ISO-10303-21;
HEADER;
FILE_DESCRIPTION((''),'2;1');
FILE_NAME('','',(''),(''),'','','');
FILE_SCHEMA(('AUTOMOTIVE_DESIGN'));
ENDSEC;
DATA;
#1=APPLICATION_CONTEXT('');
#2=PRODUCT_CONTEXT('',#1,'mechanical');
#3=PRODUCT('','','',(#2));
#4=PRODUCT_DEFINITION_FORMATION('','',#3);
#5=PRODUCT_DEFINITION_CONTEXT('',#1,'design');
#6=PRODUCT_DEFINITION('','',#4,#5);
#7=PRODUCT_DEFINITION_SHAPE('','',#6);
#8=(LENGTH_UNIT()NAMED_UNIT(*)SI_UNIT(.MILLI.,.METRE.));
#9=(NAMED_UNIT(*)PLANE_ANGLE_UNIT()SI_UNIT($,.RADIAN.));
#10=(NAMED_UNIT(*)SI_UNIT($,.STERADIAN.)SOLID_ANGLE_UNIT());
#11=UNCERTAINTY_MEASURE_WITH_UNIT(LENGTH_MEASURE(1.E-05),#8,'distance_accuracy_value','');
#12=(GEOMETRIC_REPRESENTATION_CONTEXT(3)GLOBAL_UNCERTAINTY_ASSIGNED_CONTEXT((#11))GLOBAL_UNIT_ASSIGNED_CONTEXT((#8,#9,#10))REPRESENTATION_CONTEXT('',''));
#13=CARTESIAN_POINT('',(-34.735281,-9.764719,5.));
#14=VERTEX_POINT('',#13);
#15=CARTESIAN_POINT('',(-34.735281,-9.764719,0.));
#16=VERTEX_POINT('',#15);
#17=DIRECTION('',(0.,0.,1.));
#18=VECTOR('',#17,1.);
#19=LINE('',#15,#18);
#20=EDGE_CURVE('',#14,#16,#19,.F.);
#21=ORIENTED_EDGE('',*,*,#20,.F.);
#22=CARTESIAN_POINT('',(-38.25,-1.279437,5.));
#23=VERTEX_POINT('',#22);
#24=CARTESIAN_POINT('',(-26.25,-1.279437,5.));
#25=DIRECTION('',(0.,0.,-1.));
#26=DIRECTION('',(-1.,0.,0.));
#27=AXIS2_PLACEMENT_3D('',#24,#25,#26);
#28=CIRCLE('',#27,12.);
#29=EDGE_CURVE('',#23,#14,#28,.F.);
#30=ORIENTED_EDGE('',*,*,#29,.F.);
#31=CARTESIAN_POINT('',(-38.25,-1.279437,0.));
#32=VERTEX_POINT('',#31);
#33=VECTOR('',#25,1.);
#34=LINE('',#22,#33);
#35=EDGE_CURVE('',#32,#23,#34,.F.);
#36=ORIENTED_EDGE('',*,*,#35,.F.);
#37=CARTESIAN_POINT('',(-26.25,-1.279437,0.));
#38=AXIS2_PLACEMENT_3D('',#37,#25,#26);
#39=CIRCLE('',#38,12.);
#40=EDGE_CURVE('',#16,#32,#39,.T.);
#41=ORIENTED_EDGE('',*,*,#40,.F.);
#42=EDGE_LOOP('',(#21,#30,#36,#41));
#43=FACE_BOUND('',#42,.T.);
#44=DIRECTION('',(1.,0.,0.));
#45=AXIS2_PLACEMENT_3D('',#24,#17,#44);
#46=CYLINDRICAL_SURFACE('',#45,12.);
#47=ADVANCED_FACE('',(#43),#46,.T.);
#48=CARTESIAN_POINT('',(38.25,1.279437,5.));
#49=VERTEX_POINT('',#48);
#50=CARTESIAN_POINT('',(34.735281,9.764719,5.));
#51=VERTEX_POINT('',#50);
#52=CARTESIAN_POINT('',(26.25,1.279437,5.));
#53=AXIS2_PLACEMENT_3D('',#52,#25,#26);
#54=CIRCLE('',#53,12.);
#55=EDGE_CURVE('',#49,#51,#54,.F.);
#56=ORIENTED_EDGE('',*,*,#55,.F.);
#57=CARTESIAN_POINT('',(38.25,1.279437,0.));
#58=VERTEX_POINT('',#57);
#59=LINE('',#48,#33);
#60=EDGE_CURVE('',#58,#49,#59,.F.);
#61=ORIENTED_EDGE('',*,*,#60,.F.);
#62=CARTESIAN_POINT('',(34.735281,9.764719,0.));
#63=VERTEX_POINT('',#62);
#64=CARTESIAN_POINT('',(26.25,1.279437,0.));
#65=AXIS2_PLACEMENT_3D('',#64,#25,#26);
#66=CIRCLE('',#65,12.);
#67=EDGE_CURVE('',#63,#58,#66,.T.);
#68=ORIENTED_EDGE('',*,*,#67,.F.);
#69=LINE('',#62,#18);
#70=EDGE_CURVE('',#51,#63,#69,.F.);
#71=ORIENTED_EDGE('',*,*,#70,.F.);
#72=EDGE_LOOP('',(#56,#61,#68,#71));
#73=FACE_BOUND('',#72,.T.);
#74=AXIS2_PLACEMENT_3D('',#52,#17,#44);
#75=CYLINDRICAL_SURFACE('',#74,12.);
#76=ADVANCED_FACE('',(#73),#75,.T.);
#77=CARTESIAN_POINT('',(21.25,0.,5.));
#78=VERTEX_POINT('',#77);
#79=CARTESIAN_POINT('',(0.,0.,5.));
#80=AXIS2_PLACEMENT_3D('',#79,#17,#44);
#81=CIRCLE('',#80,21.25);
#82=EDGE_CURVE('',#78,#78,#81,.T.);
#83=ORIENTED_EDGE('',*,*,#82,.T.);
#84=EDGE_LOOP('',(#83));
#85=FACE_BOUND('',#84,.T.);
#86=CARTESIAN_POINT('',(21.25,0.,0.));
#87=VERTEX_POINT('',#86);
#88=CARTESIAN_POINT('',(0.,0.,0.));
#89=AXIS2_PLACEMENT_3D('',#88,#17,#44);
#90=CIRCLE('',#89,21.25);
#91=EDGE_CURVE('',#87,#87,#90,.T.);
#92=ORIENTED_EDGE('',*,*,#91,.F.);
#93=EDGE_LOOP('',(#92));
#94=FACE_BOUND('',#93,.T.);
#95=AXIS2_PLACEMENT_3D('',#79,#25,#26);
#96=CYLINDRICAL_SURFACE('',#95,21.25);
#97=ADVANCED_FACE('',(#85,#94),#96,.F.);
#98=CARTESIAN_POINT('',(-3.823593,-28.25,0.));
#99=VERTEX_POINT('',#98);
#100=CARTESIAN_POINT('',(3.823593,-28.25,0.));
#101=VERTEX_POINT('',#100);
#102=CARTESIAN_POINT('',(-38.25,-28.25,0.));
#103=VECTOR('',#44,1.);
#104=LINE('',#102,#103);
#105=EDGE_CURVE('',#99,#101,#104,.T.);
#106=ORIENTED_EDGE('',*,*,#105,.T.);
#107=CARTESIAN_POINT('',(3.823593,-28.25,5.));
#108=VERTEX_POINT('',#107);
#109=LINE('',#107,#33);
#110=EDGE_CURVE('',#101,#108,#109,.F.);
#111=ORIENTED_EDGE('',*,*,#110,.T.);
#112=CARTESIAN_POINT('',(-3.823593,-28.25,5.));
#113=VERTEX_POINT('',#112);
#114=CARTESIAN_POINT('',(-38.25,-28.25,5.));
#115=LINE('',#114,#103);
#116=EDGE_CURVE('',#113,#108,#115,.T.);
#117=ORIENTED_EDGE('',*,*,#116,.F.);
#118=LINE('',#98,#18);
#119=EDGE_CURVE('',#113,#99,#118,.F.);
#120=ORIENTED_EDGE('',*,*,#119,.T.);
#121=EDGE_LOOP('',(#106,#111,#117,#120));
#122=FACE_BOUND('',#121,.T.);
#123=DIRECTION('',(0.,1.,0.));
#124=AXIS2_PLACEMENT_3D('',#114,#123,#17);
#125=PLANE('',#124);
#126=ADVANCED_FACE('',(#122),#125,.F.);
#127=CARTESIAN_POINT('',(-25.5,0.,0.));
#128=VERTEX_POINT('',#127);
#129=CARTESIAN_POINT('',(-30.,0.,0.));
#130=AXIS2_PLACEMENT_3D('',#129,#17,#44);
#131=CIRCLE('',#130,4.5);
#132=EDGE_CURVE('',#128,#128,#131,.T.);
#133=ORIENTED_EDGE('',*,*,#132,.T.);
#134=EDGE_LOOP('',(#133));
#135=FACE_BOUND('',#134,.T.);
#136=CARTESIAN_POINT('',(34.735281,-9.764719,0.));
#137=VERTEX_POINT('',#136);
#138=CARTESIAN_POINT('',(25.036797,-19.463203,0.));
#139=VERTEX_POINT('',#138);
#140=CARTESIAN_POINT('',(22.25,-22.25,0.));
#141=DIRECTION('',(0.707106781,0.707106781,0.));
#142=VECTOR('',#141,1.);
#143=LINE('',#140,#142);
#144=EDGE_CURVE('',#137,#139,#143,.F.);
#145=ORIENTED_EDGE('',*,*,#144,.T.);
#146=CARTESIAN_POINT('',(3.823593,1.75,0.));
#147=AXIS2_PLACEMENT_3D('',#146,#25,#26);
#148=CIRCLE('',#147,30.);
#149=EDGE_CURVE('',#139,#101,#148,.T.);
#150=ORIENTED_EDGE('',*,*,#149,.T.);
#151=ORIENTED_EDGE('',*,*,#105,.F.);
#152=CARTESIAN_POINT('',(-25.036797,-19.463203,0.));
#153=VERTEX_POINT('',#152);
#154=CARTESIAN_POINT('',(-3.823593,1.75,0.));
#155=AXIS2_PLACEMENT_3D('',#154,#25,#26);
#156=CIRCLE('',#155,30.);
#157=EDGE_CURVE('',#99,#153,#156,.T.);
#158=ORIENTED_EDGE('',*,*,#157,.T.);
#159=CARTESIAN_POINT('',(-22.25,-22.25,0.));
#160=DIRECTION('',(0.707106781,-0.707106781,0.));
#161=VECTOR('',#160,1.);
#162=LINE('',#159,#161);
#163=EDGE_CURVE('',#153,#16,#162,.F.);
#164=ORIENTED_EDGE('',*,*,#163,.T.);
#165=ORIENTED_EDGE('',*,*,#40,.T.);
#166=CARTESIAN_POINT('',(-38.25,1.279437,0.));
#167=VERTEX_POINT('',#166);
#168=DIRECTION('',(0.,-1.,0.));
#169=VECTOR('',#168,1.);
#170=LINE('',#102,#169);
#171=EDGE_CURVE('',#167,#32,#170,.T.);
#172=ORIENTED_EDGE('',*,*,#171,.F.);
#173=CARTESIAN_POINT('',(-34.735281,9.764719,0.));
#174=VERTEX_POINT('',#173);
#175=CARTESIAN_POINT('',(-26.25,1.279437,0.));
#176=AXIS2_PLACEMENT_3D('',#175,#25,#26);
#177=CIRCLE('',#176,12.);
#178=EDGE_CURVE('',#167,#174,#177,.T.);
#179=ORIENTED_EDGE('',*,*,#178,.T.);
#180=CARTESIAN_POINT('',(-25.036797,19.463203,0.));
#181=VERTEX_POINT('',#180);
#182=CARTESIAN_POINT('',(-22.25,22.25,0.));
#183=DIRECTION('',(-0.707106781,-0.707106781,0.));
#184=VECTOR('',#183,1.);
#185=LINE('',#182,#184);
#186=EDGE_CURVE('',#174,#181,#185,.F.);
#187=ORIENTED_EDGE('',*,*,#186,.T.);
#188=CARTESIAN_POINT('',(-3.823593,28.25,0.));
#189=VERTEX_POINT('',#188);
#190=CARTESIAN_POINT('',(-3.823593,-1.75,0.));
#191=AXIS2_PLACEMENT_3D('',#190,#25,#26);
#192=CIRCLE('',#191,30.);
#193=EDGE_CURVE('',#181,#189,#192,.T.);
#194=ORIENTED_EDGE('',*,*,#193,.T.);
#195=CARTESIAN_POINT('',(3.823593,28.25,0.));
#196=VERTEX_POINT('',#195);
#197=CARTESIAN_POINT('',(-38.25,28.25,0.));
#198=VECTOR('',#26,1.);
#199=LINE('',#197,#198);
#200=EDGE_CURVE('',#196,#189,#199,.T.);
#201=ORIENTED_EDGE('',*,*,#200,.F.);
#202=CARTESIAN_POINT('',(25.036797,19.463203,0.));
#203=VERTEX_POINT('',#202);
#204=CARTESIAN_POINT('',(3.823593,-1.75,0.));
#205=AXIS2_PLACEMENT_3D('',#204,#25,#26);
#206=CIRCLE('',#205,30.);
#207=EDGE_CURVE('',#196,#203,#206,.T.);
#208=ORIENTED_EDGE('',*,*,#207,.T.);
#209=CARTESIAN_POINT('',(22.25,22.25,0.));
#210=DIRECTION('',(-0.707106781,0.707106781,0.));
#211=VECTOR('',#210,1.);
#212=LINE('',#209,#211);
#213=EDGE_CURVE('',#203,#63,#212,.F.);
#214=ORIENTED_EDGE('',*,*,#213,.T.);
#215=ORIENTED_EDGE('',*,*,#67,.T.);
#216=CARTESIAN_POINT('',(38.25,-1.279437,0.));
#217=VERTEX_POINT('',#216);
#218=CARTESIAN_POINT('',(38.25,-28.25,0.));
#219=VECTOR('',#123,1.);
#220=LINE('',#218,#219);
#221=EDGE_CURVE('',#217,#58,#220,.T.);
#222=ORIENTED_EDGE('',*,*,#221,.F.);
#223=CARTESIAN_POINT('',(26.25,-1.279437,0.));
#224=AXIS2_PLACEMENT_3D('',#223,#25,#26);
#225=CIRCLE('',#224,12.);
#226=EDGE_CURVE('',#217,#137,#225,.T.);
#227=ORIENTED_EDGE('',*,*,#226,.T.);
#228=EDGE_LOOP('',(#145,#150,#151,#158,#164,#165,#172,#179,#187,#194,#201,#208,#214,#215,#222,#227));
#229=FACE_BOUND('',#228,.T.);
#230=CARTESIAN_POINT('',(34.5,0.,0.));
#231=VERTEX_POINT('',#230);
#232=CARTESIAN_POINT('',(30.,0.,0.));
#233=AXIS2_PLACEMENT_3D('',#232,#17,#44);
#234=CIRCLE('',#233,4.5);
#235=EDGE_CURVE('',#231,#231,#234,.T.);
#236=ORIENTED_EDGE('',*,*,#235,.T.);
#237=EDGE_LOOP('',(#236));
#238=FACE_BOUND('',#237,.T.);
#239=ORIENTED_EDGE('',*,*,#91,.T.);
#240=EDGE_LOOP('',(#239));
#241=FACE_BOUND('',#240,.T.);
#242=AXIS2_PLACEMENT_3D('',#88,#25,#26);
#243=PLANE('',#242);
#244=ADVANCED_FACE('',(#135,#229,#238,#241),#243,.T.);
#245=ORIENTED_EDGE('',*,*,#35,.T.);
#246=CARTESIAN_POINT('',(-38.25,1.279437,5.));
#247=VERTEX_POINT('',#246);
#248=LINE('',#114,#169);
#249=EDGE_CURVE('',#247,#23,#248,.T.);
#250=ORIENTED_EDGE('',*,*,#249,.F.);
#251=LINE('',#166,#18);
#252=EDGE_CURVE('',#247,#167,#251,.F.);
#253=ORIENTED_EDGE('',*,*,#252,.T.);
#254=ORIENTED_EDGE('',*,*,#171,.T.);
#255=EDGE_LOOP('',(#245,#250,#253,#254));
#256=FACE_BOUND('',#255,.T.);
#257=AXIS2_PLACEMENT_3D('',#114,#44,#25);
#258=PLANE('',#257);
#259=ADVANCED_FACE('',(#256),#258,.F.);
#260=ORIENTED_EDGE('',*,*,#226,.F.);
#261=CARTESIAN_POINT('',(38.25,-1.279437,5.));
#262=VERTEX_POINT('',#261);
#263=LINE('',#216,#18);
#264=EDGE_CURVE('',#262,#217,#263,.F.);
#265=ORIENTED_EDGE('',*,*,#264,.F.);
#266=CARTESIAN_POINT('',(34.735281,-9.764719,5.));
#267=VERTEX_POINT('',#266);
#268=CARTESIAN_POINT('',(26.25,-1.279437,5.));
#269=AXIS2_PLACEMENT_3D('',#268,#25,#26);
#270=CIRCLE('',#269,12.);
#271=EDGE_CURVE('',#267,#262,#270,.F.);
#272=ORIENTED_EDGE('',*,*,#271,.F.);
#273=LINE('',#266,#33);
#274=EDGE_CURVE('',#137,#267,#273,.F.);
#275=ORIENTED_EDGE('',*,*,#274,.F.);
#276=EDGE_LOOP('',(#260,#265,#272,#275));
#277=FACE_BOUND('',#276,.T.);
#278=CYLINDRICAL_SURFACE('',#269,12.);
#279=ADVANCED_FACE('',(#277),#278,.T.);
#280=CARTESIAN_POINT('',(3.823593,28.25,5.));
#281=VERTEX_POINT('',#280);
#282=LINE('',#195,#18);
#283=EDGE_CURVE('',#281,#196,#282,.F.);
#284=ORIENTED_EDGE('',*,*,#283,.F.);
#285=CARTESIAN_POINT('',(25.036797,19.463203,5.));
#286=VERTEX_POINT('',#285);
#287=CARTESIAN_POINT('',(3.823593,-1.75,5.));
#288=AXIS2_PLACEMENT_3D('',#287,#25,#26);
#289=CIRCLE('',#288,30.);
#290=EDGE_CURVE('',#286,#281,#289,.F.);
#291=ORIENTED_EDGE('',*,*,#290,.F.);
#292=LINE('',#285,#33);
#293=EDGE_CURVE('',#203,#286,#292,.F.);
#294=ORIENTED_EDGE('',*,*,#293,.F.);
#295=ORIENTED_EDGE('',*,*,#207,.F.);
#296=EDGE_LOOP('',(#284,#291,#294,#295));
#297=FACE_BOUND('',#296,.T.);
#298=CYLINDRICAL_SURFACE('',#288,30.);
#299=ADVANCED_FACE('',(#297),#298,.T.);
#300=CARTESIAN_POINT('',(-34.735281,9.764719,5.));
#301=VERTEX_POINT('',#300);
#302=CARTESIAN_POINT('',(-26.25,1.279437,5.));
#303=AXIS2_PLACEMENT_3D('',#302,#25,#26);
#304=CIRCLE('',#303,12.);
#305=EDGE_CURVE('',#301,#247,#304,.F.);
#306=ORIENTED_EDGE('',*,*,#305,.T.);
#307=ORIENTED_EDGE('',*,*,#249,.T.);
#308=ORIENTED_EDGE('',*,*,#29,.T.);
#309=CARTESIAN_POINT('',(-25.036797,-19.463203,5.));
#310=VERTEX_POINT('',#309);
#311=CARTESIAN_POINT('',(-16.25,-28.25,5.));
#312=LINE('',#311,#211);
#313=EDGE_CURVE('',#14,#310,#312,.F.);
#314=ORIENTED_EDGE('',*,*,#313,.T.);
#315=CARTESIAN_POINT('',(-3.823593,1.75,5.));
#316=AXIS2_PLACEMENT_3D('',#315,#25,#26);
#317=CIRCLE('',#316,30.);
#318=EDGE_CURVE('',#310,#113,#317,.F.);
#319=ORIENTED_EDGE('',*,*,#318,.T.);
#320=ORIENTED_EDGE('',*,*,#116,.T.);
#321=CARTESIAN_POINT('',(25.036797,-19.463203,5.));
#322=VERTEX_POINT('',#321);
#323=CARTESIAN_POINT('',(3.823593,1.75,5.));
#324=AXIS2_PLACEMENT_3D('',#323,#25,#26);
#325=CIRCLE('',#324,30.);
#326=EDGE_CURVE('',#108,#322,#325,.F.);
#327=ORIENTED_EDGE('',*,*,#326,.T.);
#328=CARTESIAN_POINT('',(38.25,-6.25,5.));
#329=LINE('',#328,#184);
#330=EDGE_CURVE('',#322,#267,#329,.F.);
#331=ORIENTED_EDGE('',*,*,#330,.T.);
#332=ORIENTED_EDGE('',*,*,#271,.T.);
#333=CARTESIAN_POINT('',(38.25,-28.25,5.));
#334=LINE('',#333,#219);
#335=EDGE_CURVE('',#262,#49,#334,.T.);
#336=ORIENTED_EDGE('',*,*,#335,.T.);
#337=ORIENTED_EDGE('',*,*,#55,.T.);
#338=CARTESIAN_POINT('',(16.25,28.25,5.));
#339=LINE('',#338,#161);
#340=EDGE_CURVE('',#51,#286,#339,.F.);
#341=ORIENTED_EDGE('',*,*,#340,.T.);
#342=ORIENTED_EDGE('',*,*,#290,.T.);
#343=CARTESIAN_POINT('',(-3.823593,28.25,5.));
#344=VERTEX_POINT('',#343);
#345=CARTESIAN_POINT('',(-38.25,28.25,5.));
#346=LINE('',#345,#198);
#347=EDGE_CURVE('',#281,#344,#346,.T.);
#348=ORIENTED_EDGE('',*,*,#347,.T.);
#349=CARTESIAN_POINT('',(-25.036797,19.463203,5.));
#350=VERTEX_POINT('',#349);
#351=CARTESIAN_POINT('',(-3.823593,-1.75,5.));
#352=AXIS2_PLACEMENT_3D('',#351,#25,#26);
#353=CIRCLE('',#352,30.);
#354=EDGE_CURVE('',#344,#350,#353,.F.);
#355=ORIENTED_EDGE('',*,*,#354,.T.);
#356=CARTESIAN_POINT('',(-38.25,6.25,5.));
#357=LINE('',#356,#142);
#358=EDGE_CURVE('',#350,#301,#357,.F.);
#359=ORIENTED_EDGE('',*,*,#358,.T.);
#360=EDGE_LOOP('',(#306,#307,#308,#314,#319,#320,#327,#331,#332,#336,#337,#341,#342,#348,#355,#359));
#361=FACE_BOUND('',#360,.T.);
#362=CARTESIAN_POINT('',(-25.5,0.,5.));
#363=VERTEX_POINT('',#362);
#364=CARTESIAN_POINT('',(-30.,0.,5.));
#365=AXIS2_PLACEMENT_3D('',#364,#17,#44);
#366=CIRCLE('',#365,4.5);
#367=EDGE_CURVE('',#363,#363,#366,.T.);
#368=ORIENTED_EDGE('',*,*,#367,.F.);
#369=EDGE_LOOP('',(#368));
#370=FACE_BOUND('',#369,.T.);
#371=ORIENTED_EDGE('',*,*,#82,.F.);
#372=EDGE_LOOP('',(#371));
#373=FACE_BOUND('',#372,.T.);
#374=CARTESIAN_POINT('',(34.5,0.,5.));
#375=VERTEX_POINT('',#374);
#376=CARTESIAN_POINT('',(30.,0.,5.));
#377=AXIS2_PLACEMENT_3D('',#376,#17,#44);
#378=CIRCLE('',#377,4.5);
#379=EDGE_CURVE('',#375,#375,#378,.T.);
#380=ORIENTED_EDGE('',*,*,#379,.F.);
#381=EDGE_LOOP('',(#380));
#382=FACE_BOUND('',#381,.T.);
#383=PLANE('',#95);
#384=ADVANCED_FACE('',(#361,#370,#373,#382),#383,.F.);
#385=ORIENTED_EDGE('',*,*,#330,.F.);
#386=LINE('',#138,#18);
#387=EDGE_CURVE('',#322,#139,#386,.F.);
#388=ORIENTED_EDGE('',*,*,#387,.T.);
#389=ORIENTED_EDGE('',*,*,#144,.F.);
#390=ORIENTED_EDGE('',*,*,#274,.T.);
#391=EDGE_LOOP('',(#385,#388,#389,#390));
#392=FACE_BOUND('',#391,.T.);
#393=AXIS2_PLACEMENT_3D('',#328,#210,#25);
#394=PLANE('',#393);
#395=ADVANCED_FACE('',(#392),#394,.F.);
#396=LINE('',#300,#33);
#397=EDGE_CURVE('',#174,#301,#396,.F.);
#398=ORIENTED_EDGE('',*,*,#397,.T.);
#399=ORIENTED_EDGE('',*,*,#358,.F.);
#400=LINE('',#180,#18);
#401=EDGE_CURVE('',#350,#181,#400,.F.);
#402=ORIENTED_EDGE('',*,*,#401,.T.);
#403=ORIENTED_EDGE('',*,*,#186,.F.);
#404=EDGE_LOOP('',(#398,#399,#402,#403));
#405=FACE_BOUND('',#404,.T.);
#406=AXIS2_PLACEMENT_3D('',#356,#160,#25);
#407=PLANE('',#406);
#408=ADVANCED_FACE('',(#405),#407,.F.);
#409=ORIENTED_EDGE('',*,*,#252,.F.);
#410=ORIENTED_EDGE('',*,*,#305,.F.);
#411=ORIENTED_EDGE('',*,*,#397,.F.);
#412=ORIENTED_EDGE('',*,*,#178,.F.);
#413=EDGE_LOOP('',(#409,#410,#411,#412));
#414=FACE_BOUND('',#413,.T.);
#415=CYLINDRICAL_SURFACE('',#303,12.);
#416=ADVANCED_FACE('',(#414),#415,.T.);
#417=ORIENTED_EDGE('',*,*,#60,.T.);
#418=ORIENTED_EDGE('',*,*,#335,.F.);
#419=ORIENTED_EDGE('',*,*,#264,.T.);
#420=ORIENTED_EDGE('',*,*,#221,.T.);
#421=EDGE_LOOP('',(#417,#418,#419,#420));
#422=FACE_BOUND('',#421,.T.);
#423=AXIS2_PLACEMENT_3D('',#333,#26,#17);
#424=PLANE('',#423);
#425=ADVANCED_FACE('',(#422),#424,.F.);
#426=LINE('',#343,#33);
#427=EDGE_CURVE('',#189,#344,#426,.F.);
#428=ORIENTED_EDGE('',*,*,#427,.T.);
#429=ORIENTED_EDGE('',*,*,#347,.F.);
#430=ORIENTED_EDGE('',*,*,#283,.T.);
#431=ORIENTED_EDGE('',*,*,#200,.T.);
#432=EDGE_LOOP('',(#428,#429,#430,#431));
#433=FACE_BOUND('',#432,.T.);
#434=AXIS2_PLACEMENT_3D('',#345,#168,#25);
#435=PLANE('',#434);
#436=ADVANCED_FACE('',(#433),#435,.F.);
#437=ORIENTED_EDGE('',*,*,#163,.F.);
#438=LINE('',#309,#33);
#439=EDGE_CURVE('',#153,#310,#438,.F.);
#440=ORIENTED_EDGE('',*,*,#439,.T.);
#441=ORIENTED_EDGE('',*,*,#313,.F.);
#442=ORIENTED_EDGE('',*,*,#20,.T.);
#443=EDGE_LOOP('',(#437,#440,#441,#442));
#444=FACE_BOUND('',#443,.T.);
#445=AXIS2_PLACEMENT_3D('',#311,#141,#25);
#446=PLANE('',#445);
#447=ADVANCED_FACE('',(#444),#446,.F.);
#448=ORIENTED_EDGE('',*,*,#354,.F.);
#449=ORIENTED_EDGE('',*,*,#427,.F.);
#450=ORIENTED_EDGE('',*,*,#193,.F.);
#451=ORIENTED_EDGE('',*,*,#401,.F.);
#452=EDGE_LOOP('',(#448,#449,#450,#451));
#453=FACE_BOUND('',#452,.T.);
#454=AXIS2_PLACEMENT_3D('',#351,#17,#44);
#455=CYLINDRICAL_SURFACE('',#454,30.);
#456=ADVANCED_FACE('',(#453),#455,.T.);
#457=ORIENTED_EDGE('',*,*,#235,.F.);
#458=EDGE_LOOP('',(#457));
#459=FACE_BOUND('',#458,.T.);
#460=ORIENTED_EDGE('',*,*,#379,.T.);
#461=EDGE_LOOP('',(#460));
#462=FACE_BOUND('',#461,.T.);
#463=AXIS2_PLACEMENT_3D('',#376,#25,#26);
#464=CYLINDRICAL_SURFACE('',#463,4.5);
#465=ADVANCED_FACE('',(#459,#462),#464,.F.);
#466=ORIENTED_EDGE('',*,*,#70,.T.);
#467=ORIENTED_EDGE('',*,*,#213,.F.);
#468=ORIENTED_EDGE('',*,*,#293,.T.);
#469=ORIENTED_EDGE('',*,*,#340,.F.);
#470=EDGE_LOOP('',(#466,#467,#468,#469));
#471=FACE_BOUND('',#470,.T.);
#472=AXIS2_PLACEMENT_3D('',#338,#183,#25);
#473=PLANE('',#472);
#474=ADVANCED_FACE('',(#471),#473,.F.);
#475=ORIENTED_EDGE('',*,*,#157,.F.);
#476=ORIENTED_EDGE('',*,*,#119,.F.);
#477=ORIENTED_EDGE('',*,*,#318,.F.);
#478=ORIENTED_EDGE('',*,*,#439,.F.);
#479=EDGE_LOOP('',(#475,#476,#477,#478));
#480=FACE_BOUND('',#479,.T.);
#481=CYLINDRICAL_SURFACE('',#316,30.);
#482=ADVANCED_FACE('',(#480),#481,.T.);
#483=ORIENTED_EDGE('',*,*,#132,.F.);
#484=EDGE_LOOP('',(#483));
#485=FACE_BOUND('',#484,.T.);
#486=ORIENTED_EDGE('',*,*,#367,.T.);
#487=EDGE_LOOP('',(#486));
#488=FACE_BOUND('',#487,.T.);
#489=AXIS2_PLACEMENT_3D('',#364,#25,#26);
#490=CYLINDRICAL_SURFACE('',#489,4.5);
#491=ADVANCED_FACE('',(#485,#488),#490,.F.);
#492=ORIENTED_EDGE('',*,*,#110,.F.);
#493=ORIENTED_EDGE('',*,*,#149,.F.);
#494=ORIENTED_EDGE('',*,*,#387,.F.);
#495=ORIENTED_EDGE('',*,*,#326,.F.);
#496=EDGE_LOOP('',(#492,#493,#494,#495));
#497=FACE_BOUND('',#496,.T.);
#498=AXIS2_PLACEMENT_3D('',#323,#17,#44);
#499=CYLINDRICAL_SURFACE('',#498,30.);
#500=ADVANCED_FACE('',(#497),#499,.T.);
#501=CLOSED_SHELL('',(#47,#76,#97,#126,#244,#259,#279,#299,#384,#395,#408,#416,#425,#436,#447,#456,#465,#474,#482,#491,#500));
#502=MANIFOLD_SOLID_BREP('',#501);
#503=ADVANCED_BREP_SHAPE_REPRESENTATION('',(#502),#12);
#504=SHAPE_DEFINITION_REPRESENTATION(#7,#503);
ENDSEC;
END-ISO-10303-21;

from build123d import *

# Parameters (mm, degrees)
ESQUISSE1_W        = 76.5
ESQUISSE1_H        = 56.5
ESQUISSE1_R        = 21.25
ESQUISSE1_R_2      = 4.5
BOSS_EXTRU_1_DEPTH = 5
CHANFREIN1_SIZE    = 22
CHANFREIN2_SIZE    = 22
CHANFREIN3_SIZE    = 22
CHANFREIN4_SIZE    = 22
CONG_2_R           = 30
CONG_3_R           = 30
CONG_4_R           = 30
CONG_5_R           = 30
CONG_6_R           = 12
CONG_7_R           = 12
CONG_8_R           = 12
CONG_9_R           = 12


with BuildPart() as part:
    # Esquisse1 → Boss.-Extru.1 (new body)
    with BuildSketch(Plane.XY):
        Rectangle(ESQUISSE1_W, ESQUISSE1_H)
        Circle(ESQUISSE1_R, mode=Mode.SUBTRACT)
        with Locations((30, 0)):
            Circle(ESQUISSE1_R_2, mode=Mode.SUBTRACT)
        with Locations((-30, 0)):
            Circle(ESQUISSE1_R_2, mode=Mode.SUBTRACT)
    extrude(amount=BOSS_EXTRU_1_DEPTH)

    # Chanfrein1
    chanfrein1_edges = [part.edges().sort_by_distance(p)[0] for p in [
        (38.25, 28.25, 2.5),
    ]]
    chamfer(chanfrein1_edges, length=CHANFREIN1_SIZE)

    # Chanfrein2
    chanfrein2_edges = [part.edges().sort_by_distance(p)[0] for p in [
        (-38.25, 28.25, 2.5),
    ]]
    chamfer(chanfrein2_edges, length=CHANFREIN2_SIZE)

    # Chanfrein3
    chanfrein3_edges = [part.edges().sort_by_distance(p)[0] for p in [
        (-38.25, -28.25, 2.5),
    ]]
    chamfer(chanfrein3_edges, length=CHANFREIN3_SIZE)

    # Chanfrein4
    chanfrein4_edges = [part.edges().sort_by_distance(p)[0] for p in [
        (38.25, -28.25, 2.5),
    ]]
    chamfer(chanfrein4_edges, length=CHANFREIN4_SIZE)

    # Congé2
    cong_2_edges = [part.edges().sort_by_distance(p)[0] for p in [
        (16.25, 28.25, 2.5),
    ]]
    fillet(cong_2_edges, radius=CONG_2_R)

    # Congé3
    cong_3_edges = [part.edges().sort_by_distance(p)[0] for p in [
        (-16.25, 28.25, 2.5),
    ]]
    fillet(cong_3_edges, radius=CONG_3_R)

    # Congé4
    cong_4_edges = [part.edges().sort_by_distance(p)[0] for p in [
        (16.25, -28.25, 2.5),
    ]]
    fillet(cong_4_edges, radius=CONG_4_R)

    # Congé5
    cong_5_edges = [part.edges().sort_by_distance(p)[0] for p in [
        (-16.25, -28.25, 2.5),
    ]]
    fillet(cong_5_edges, radius=CONG_5_R)

    # Congé6
    cong_6_edges = [part.edges().sort_by_distance(p)[0] for p in [
        (38.25, 6.25, 2.5),
    ]]
    fillet(cong_6_edges, radius=CONG_6_R)

    # Congé7
    cong_7_edges = [part.edges().sort_by_distance(p)[0] for p in [
        (38.25, -6.25, 2.5),
    ]]
    fillet(cong_7_edges, radius=CONG_7_R)

    # Congé8
    cong_8_edges = [part.edges().sort_by_distance(p)[0] for p in [
        (-38.25, 6.25, 2.5),
    ]]
    fillet(cong_8_edges, radius=CONG_8_R)

    # Congé9
    cong_9_edges = [part.edges().sort_by_distance(p)[0] for p in [
        (-38.25, -6.25, 2.5),
    ]]
    fillet(cong_9_edges, radius=CONG_9_R)


solid = part.part
